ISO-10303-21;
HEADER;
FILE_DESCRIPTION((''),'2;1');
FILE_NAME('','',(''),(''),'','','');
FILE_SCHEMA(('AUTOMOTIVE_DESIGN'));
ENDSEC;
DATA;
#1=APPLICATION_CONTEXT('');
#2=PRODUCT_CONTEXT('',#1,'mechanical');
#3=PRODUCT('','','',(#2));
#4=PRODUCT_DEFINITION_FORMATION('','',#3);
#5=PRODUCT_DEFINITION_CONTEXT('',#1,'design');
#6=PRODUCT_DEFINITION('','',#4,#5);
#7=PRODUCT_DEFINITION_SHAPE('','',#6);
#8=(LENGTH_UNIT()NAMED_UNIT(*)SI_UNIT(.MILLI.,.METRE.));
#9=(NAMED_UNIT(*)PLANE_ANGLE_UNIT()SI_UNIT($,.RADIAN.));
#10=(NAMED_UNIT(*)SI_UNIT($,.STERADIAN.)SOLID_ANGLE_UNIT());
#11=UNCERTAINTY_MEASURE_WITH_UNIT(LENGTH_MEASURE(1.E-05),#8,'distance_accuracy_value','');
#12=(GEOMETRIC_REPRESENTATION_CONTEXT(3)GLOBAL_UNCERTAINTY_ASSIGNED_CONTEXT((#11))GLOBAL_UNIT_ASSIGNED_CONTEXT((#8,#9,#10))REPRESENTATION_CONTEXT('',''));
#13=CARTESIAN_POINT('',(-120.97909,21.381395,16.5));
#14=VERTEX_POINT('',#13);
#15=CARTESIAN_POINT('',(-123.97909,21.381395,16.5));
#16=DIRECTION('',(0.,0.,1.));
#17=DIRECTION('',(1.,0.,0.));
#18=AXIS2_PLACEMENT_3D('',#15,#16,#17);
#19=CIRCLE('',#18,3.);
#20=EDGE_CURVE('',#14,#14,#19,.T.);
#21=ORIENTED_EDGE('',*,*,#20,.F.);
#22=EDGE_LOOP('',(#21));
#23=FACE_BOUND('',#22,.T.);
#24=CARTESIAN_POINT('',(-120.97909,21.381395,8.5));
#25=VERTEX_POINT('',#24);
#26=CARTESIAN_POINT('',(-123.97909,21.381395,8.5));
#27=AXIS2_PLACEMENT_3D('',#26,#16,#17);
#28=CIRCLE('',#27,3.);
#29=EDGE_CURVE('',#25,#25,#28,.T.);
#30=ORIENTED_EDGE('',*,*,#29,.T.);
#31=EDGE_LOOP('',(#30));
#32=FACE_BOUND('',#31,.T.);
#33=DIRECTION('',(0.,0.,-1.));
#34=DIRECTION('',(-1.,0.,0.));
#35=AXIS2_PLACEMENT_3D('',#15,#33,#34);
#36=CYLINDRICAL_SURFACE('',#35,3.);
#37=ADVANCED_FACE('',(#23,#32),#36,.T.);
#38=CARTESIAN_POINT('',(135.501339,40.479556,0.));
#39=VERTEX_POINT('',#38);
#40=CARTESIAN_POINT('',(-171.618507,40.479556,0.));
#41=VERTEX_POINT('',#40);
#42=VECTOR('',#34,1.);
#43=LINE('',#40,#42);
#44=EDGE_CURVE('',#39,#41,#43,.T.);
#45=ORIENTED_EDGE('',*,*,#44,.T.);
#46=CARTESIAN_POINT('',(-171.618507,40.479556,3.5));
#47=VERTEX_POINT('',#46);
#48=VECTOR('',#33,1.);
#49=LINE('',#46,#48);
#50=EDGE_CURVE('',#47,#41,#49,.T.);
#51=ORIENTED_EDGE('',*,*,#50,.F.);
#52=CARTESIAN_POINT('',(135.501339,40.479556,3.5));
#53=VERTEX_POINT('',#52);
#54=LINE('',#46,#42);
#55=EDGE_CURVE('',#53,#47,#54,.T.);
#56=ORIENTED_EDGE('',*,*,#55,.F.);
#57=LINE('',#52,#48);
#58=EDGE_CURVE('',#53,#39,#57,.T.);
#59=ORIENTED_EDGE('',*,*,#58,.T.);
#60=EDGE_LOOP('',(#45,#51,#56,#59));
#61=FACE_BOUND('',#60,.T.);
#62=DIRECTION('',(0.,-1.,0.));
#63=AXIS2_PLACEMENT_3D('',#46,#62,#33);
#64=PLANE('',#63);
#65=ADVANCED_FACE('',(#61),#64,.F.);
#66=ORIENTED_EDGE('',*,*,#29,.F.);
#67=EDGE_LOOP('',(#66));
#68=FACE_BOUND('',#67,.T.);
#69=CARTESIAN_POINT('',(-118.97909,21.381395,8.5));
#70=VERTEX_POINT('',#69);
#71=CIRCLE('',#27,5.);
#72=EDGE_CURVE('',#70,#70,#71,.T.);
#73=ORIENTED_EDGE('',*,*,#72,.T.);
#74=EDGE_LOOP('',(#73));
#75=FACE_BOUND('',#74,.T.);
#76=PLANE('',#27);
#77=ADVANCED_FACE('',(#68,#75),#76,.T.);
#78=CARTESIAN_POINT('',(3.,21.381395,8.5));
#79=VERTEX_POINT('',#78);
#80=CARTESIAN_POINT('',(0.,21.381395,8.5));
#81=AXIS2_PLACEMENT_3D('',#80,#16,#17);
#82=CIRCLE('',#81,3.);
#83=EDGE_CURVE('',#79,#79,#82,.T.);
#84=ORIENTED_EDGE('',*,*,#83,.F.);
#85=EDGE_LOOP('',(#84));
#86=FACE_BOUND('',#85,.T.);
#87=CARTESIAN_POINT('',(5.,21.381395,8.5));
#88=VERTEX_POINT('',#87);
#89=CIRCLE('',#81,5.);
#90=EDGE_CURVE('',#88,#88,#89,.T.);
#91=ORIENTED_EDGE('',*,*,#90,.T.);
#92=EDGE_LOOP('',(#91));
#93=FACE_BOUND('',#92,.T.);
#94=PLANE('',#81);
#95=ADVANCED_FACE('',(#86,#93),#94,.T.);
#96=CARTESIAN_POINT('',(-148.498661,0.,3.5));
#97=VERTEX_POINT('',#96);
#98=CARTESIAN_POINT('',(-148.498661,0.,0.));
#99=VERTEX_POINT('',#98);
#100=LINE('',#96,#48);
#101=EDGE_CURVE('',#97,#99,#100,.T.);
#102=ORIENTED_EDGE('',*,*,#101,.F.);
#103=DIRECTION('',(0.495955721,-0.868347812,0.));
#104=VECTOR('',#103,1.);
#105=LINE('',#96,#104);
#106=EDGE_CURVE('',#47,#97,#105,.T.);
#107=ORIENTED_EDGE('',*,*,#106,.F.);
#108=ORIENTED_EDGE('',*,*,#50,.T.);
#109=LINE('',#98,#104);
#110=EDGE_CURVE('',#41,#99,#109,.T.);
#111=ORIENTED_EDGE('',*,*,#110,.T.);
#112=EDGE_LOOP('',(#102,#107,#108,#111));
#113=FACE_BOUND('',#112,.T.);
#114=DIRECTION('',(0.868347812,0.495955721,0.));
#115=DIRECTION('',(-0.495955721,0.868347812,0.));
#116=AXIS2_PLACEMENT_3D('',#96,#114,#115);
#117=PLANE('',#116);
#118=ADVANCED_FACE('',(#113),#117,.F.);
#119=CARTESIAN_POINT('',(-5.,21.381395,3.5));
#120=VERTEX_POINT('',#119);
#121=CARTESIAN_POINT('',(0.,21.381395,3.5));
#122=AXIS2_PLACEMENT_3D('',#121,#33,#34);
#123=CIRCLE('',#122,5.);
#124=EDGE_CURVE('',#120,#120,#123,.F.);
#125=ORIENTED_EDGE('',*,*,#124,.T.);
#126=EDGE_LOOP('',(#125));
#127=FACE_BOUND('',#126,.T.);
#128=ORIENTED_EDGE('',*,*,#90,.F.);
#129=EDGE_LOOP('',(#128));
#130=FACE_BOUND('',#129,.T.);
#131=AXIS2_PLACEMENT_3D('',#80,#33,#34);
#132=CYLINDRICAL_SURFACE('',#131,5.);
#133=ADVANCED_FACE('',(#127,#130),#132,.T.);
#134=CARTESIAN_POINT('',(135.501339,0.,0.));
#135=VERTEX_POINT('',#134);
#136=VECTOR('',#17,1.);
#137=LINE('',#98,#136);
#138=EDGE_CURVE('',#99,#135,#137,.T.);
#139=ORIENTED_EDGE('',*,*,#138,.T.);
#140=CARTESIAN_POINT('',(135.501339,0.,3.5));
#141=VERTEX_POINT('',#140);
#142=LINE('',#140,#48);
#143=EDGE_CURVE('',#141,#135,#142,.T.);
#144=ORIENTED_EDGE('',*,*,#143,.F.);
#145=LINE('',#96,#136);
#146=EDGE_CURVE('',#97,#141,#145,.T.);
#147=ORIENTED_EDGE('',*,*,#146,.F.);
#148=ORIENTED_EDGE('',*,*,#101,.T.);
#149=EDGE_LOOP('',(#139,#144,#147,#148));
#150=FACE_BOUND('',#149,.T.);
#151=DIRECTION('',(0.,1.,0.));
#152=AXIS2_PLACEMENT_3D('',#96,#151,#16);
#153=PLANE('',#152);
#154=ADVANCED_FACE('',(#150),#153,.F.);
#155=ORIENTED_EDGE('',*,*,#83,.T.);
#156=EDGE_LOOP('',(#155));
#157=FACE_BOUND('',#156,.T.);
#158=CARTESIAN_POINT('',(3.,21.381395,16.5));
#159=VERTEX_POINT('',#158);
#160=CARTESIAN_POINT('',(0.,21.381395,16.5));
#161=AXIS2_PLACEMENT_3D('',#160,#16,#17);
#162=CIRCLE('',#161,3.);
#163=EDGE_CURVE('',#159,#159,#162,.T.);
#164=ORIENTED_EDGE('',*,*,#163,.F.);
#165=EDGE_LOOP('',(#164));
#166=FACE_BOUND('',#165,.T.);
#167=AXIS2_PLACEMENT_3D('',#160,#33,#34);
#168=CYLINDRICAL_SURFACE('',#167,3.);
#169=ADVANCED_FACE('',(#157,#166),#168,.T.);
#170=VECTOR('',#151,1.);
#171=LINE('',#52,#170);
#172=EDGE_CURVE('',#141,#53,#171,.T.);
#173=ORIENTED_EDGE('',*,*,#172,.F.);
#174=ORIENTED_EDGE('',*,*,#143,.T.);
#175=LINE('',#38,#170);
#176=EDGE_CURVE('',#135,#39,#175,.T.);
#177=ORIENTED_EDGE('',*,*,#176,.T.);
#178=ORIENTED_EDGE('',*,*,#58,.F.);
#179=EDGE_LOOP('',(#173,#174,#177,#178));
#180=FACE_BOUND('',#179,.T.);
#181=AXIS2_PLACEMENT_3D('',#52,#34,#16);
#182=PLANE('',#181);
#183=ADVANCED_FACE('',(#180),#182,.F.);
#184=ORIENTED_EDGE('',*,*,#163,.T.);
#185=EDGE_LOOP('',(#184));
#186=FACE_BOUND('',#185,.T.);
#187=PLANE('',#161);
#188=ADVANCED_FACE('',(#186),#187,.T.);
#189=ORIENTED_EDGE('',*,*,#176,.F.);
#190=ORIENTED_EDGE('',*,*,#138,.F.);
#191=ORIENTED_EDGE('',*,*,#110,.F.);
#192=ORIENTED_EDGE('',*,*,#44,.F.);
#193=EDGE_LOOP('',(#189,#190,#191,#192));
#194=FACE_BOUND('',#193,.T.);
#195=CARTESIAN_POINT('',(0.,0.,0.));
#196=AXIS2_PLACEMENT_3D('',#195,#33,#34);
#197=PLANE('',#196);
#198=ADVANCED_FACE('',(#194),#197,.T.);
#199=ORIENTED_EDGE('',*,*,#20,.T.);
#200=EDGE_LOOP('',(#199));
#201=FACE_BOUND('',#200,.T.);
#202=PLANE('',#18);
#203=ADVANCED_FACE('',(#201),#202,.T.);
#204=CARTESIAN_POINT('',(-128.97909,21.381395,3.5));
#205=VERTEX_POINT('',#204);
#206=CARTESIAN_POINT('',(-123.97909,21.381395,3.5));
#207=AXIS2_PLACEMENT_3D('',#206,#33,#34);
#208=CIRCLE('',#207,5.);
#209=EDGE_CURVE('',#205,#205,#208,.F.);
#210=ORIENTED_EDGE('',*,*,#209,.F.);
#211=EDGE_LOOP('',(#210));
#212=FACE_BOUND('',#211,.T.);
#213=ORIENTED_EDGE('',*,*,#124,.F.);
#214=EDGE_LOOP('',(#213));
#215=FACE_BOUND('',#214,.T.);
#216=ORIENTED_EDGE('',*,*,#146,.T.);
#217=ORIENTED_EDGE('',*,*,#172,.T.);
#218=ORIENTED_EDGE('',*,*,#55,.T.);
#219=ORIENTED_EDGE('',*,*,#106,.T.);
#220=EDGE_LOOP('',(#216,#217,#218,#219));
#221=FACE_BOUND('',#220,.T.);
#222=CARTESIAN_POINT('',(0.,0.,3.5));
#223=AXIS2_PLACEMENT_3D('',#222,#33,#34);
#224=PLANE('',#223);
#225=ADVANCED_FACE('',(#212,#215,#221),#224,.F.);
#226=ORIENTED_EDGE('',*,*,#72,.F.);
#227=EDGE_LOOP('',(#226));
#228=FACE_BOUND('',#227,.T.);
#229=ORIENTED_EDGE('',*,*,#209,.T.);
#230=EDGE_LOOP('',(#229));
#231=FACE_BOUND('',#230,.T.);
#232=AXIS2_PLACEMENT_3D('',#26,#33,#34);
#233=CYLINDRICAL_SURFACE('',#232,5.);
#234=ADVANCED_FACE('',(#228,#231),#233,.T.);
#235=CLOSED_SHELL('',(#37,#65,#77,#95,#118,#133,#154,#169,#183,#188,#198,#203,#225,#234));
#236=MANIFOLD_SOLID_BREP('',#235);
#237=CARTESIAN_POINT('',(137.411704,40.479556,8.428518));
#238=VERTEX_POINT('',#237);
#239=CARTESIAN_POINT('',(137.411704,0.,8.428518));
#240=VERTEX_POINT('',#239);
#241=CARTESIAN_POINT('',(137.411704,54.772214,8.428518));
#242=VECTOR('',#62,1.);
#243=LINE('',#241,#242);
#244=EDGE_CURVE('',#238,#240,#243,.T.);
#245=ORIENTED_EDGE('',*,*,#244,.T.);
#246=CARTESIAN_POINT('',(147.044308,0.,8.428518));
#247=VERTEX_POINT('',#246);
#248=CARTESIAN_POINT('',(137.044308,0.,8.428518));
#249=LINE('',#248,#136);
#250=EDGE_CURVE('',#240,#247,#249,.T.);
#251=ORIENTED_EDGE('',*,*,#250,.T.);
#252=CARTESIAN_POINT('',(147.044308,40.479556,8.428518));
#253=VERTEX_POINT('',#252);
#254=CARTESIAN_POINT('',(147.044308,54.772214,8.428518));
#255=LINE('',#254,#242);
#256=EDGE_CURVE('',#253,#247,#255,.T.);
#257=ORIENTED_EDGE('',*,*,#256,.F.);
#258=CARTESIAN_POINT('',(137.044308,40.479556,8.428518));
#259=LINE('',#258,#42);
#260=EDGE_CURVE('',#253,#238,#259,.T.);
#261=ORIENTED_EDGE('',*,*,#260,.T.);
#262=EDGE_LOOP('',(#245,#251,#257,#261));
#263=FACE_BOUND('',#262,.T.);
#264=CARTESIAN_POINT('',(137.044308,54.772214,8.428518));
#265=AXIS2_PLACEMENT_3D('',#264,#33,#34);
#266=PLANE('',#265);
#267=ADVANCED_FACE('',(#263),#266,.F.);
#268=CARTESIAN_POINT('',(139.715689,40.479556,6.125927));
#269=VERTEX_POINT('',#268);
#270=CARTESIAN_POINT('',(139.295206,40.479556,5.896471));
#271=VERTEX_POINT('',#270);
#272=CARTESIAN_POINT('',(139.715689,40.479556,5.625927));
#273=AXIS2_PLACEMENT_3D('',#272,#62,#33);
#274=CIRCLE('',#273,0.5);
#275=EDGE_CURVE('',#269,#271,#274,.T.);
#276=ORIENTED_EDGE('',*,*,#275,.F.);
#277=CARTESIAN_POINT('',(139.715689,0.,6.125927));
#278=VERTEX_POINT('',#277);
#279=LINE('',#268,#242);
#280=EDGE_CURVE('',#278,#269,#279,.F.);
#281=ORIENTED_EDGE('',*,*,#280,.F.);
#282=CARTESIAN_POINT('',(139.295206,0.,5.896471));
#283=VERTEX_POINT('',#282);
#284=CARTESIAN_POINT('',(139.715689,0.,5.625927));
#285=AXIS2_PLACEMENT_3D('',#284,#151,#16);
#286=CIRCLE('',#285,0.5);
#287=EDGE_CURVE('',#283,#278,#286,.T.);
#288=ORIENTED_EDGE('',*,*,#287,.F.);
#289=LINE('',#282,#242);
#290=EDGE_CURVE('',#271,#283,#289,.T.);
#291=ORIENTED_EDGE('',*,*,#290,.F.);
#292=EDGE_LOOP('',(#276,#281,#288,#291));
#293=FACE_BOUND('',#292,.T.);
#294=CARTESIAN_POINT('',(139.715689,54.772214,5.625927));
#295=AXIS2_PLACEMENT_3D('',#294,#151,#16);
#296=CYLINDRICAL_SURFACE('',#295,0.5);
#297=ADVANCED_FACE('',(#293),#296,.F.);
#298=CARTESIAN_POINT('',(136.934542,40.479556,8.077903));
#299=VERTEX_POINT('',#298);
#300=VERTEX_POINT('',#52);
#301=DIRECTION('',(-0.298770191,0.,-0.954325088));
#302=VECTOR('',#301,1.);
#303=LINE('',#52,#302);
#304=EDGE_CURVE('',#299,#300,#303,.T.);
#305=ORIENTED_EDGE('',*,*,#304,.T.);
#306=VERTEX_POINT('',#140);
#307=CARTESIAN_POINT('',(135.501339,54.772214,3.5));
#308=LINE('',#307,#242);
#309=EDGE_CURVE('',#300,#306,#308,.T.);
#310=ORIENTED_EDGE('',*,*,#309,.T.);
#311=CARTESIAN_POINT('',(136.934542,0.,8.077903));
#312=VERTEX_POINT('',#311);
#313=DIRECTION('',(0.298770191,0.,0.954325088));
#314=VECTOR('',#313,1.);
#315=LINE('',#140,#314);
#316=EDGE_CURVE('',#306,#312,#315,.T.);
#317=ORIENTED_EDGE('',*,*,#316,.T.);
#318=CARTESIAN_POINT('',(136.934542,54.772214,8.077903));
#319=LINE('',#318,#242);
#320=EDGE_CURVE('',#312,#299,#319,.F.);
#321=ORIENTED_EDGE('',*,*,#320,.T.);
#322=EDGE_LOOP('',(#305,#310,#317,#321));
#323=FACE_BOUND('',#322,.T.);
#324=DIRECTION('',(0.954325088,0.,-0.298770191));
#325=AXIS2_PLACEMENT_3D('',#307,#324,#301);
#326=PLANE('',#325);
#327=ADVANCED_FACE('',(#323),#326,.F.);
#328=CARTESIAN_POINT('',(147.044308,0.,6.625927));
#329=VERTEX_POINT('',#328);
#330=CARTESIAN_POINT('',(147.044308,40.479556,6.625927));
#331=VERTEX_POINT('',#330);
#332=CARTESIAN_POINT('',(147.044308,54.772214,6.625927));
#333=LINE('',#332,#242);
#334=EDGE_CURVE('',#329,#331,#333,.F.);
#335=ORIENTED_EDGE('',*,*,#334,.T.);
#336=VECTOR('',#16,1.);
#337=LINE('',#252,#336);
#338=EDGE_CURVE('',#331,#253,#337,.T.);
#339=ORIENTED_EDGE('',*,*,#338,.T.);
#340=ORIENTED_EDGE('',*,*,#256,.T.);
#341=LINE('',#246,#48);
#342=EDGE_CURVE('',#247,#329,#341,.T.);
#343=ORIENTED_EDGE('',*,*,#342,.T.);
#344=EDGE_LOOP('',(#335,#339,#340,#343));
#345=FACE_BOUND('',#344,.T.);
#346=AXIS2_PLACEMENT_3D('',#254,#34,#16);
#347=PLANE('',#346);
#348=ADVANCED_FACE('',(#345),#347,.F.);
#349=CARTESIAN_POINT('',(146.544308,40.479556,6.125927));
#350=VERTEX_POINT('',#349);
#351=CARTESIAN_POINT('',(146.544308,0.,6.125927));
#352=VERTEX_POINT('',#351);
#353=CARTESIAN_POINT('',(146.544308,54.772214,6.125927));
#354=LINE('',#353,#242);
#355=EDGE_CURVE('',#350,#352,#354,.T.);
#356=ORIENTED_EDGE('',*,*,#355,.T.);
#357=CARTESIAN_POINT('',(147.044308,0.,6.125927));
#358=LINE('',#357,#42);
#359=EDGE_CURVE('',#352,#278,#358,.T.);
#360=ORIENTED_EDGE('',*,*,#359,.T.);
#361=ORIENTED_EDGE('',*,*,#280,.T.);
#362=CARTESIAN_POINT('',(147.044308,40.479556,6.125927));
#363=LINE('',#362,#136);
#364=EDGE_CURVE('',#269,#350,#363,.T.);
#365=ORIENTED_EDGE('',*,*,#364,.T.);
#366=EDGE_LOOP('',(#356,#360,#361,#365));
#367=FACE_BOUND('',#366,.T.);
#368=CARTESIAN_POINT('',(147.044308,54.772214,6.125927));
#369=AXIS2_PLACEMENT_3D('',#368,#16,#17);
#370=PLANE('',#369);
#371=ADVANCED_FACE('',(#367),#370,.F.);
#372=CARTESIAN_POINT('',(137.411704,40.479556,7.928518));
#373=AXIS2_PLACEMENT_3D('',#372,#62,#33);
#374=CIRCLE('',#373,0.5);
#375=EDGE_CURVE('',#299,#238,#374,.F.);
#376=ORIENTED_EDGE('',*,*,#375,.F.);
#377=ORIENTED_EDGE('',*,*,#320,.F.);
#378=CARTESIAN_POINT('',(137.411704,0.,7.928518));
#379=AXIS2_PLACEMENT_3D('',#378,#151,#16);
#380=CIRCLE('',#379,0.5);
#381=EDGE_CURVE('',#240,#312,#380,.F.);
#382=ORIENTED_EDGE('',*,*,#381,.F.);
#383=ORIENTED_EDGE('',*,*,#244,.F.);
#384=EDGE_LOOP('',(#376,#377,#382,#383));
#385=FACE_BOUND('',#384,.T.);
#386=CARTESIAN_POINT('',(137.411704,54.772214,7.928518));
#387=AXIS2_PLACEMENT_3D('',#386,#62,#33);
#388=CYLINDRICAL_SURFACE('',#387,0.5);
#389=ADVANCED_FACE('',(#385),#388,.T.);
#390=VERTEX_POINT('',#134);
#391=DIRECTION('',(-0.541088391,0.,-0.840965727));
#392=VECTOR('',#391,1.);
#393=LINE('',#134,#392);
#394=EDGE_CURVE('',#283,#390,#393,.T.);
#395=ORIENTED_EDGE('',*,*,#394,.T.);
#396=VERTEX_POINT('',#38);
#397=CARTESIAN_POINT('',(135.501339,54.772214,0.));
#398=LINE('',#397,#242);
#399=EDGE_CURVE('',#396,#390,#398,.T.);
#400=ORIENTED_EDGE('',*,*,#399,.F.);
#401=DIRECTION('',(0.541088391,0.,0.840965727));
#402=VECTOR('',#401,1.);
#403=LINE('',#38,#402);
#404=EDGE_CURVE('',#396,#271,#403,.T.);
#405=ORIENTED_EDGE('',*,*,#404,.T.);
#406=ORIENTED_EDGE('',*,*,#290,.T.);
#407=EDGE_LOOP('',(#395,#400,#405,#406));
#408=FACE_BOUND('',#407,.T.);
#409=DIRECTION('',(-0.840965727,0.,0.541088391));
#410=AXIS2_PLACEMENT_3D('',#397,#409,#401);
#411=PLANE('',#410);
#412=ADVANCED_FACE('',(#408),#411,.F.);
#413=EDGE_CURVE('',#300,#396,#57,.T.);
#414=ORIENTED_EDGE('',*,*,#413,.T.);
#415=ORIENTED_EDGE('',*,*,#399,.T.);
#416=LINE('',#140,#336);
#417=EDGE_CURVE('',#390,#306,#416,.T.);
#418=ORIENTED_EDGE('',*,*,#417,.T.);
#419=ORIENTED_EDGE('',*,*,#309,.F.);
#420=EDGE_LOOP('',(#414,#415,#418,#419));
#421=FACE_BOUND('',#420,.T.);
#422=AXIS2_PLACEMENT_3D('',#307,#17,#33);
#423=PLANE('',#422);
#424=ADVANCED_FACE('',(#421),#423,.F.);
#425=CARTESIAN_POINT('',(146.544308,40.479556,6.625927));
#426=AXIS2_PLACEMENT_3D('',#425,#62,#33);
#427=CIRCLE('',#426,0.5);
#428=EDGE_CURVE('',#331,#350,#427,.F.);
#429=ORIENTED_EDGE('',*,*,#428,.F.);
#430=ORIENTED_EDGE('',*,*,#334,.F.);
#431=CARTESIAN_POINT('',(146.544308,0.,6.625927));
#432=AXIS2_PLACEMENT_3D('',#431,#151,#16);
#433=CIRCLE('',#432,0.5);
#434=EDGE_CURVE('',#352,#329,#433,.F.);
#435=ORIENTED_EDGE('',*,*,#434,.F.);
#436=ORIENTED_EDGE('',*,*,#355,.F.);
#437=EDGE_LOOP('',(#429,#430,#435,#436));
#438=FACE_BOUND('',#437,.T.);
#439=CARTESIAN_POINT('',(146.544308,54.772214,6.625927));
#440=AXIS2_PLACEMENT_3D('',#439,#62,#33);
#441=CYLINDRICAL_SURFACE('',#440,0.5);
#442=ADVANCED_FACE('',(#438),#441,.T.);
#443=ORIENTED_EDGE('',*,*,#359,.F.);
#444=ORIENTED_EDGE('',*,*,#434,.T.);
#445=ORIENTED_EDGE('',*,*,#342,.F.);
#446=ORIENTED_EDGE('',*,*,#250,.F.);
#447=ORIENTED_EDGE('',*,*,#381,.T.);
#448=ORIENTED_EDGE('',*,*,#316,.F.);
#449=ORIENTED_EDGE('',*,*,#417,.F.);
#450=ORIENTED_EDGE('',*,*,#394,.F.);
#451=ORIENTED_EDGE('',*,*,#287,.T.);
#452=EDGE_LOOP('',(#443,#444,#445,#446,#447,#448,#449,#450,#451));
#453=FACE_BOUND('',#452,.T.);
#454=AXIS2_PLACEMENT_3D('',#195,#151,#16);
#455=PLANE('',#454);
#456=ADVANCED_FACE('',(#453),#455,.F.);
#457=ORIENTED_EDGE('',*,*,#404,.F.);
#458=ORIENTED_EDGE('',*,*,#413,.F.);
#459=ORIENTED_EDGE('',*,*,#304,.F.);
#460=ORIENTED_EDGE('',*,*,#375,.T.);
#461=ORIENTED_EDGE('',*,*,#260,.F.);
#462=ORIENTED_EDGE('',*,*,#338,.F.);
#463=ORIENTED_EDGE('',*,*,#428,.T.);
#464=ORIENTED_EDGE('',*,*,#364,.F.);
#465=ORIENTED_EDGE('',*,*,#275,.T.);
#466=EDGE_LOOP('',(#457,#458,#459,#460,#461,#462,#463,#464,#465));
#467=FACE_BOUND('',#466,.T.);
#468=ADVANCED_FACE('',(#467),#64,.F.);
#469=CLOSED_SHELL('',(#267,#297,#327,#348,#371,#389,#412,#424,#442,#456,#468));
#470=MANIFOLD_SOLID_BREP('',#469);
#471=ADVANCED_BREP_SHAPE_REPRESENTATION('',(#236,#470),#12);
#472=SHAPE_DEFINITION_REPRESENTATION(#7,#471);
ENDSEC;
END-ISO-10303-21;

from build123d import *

# Parameters (mm, degrees)
EXTRUDE_1_DEPTH = 3.5
EXTRUDE_2_DEPTH = 40.479556073
FILLET_4_R      = 0.5
SKETCH_4_R      = 5
EXTRUDE_3_DEPTH = 5
SKETCH_5_R      = 3
EXTRUDE_4_DEPTH = 8


with BuildPart() as part:
    # 草图1 → 凸台-拉伸1 (new body)
    with BuildSketch(Plane.XY):
        Polygon((-148.498660968, 0), (135.501339032, 0), (135.501339032, 40.479556073), (-171.618506635, 40.479556073), align=None)
    extrude(amount=EXTRUDE_1_DEPTH)

    # 草图4 → 凸台-拉伸3 (add)
    with BuildSketch(Plane.XY.offset(3.5)):
        with Locations(Location((-123.979089883, 21.38139451, 0), (0, 0, 180))):
            Circle(SKETCH_4_R)
        with Locations(Location((0, 21.38139451, 0), (0, 0, 180))):
            Circle(SKETCH_4_R)
    extrude(amount=EXTRUDE_3_DEPTH)

    # 草图5 → 凸台-拉伸4 (add)
    with BuildSketch(Plane.XY.offset(8.5)):
        with Locations((-123.979089883, 21.38139451)):
            Circle(SKETCH_5_R)
        with Locations((0, 21.38139451)):
            Circle(SKETCH_5_R)
    extrude(amount=EXTRUDE_4_DEPTH)


with BuildPart() as body_2:
    # 草图3 → 凸台-拉伸2 (new body)
    with BuildSketch(Plane(origin=(0, 0, 0), x_dir=(1, 0, 0), z_dir=(0, 1, 0))):
        Polygon((135.501339032, 0), (139.442840957, -6.125927086), (147.04430839, -6.125927086), (147.04430839, -8.428518352), (137.04430839, -8.428518352), (135.501339032, -3.5), align=None)
    extrude(amount=EXTRUDE_2_DEPTH)

    # 圆角4
    fillet_4_edges = [body_2.edges().sort_by_distance(p)[0] for p in [
        (139.442840957, 20.239778036, 6.125927086),
        (147.04430839, 20.239778036, 6.125927086),
        (137.04430839, 20.239778036, 8.428518352),
    ]]
    fillet(fillet_4_edges, radius=FILLET_4_R)


solid = Compound([part.part, body_2.part])
